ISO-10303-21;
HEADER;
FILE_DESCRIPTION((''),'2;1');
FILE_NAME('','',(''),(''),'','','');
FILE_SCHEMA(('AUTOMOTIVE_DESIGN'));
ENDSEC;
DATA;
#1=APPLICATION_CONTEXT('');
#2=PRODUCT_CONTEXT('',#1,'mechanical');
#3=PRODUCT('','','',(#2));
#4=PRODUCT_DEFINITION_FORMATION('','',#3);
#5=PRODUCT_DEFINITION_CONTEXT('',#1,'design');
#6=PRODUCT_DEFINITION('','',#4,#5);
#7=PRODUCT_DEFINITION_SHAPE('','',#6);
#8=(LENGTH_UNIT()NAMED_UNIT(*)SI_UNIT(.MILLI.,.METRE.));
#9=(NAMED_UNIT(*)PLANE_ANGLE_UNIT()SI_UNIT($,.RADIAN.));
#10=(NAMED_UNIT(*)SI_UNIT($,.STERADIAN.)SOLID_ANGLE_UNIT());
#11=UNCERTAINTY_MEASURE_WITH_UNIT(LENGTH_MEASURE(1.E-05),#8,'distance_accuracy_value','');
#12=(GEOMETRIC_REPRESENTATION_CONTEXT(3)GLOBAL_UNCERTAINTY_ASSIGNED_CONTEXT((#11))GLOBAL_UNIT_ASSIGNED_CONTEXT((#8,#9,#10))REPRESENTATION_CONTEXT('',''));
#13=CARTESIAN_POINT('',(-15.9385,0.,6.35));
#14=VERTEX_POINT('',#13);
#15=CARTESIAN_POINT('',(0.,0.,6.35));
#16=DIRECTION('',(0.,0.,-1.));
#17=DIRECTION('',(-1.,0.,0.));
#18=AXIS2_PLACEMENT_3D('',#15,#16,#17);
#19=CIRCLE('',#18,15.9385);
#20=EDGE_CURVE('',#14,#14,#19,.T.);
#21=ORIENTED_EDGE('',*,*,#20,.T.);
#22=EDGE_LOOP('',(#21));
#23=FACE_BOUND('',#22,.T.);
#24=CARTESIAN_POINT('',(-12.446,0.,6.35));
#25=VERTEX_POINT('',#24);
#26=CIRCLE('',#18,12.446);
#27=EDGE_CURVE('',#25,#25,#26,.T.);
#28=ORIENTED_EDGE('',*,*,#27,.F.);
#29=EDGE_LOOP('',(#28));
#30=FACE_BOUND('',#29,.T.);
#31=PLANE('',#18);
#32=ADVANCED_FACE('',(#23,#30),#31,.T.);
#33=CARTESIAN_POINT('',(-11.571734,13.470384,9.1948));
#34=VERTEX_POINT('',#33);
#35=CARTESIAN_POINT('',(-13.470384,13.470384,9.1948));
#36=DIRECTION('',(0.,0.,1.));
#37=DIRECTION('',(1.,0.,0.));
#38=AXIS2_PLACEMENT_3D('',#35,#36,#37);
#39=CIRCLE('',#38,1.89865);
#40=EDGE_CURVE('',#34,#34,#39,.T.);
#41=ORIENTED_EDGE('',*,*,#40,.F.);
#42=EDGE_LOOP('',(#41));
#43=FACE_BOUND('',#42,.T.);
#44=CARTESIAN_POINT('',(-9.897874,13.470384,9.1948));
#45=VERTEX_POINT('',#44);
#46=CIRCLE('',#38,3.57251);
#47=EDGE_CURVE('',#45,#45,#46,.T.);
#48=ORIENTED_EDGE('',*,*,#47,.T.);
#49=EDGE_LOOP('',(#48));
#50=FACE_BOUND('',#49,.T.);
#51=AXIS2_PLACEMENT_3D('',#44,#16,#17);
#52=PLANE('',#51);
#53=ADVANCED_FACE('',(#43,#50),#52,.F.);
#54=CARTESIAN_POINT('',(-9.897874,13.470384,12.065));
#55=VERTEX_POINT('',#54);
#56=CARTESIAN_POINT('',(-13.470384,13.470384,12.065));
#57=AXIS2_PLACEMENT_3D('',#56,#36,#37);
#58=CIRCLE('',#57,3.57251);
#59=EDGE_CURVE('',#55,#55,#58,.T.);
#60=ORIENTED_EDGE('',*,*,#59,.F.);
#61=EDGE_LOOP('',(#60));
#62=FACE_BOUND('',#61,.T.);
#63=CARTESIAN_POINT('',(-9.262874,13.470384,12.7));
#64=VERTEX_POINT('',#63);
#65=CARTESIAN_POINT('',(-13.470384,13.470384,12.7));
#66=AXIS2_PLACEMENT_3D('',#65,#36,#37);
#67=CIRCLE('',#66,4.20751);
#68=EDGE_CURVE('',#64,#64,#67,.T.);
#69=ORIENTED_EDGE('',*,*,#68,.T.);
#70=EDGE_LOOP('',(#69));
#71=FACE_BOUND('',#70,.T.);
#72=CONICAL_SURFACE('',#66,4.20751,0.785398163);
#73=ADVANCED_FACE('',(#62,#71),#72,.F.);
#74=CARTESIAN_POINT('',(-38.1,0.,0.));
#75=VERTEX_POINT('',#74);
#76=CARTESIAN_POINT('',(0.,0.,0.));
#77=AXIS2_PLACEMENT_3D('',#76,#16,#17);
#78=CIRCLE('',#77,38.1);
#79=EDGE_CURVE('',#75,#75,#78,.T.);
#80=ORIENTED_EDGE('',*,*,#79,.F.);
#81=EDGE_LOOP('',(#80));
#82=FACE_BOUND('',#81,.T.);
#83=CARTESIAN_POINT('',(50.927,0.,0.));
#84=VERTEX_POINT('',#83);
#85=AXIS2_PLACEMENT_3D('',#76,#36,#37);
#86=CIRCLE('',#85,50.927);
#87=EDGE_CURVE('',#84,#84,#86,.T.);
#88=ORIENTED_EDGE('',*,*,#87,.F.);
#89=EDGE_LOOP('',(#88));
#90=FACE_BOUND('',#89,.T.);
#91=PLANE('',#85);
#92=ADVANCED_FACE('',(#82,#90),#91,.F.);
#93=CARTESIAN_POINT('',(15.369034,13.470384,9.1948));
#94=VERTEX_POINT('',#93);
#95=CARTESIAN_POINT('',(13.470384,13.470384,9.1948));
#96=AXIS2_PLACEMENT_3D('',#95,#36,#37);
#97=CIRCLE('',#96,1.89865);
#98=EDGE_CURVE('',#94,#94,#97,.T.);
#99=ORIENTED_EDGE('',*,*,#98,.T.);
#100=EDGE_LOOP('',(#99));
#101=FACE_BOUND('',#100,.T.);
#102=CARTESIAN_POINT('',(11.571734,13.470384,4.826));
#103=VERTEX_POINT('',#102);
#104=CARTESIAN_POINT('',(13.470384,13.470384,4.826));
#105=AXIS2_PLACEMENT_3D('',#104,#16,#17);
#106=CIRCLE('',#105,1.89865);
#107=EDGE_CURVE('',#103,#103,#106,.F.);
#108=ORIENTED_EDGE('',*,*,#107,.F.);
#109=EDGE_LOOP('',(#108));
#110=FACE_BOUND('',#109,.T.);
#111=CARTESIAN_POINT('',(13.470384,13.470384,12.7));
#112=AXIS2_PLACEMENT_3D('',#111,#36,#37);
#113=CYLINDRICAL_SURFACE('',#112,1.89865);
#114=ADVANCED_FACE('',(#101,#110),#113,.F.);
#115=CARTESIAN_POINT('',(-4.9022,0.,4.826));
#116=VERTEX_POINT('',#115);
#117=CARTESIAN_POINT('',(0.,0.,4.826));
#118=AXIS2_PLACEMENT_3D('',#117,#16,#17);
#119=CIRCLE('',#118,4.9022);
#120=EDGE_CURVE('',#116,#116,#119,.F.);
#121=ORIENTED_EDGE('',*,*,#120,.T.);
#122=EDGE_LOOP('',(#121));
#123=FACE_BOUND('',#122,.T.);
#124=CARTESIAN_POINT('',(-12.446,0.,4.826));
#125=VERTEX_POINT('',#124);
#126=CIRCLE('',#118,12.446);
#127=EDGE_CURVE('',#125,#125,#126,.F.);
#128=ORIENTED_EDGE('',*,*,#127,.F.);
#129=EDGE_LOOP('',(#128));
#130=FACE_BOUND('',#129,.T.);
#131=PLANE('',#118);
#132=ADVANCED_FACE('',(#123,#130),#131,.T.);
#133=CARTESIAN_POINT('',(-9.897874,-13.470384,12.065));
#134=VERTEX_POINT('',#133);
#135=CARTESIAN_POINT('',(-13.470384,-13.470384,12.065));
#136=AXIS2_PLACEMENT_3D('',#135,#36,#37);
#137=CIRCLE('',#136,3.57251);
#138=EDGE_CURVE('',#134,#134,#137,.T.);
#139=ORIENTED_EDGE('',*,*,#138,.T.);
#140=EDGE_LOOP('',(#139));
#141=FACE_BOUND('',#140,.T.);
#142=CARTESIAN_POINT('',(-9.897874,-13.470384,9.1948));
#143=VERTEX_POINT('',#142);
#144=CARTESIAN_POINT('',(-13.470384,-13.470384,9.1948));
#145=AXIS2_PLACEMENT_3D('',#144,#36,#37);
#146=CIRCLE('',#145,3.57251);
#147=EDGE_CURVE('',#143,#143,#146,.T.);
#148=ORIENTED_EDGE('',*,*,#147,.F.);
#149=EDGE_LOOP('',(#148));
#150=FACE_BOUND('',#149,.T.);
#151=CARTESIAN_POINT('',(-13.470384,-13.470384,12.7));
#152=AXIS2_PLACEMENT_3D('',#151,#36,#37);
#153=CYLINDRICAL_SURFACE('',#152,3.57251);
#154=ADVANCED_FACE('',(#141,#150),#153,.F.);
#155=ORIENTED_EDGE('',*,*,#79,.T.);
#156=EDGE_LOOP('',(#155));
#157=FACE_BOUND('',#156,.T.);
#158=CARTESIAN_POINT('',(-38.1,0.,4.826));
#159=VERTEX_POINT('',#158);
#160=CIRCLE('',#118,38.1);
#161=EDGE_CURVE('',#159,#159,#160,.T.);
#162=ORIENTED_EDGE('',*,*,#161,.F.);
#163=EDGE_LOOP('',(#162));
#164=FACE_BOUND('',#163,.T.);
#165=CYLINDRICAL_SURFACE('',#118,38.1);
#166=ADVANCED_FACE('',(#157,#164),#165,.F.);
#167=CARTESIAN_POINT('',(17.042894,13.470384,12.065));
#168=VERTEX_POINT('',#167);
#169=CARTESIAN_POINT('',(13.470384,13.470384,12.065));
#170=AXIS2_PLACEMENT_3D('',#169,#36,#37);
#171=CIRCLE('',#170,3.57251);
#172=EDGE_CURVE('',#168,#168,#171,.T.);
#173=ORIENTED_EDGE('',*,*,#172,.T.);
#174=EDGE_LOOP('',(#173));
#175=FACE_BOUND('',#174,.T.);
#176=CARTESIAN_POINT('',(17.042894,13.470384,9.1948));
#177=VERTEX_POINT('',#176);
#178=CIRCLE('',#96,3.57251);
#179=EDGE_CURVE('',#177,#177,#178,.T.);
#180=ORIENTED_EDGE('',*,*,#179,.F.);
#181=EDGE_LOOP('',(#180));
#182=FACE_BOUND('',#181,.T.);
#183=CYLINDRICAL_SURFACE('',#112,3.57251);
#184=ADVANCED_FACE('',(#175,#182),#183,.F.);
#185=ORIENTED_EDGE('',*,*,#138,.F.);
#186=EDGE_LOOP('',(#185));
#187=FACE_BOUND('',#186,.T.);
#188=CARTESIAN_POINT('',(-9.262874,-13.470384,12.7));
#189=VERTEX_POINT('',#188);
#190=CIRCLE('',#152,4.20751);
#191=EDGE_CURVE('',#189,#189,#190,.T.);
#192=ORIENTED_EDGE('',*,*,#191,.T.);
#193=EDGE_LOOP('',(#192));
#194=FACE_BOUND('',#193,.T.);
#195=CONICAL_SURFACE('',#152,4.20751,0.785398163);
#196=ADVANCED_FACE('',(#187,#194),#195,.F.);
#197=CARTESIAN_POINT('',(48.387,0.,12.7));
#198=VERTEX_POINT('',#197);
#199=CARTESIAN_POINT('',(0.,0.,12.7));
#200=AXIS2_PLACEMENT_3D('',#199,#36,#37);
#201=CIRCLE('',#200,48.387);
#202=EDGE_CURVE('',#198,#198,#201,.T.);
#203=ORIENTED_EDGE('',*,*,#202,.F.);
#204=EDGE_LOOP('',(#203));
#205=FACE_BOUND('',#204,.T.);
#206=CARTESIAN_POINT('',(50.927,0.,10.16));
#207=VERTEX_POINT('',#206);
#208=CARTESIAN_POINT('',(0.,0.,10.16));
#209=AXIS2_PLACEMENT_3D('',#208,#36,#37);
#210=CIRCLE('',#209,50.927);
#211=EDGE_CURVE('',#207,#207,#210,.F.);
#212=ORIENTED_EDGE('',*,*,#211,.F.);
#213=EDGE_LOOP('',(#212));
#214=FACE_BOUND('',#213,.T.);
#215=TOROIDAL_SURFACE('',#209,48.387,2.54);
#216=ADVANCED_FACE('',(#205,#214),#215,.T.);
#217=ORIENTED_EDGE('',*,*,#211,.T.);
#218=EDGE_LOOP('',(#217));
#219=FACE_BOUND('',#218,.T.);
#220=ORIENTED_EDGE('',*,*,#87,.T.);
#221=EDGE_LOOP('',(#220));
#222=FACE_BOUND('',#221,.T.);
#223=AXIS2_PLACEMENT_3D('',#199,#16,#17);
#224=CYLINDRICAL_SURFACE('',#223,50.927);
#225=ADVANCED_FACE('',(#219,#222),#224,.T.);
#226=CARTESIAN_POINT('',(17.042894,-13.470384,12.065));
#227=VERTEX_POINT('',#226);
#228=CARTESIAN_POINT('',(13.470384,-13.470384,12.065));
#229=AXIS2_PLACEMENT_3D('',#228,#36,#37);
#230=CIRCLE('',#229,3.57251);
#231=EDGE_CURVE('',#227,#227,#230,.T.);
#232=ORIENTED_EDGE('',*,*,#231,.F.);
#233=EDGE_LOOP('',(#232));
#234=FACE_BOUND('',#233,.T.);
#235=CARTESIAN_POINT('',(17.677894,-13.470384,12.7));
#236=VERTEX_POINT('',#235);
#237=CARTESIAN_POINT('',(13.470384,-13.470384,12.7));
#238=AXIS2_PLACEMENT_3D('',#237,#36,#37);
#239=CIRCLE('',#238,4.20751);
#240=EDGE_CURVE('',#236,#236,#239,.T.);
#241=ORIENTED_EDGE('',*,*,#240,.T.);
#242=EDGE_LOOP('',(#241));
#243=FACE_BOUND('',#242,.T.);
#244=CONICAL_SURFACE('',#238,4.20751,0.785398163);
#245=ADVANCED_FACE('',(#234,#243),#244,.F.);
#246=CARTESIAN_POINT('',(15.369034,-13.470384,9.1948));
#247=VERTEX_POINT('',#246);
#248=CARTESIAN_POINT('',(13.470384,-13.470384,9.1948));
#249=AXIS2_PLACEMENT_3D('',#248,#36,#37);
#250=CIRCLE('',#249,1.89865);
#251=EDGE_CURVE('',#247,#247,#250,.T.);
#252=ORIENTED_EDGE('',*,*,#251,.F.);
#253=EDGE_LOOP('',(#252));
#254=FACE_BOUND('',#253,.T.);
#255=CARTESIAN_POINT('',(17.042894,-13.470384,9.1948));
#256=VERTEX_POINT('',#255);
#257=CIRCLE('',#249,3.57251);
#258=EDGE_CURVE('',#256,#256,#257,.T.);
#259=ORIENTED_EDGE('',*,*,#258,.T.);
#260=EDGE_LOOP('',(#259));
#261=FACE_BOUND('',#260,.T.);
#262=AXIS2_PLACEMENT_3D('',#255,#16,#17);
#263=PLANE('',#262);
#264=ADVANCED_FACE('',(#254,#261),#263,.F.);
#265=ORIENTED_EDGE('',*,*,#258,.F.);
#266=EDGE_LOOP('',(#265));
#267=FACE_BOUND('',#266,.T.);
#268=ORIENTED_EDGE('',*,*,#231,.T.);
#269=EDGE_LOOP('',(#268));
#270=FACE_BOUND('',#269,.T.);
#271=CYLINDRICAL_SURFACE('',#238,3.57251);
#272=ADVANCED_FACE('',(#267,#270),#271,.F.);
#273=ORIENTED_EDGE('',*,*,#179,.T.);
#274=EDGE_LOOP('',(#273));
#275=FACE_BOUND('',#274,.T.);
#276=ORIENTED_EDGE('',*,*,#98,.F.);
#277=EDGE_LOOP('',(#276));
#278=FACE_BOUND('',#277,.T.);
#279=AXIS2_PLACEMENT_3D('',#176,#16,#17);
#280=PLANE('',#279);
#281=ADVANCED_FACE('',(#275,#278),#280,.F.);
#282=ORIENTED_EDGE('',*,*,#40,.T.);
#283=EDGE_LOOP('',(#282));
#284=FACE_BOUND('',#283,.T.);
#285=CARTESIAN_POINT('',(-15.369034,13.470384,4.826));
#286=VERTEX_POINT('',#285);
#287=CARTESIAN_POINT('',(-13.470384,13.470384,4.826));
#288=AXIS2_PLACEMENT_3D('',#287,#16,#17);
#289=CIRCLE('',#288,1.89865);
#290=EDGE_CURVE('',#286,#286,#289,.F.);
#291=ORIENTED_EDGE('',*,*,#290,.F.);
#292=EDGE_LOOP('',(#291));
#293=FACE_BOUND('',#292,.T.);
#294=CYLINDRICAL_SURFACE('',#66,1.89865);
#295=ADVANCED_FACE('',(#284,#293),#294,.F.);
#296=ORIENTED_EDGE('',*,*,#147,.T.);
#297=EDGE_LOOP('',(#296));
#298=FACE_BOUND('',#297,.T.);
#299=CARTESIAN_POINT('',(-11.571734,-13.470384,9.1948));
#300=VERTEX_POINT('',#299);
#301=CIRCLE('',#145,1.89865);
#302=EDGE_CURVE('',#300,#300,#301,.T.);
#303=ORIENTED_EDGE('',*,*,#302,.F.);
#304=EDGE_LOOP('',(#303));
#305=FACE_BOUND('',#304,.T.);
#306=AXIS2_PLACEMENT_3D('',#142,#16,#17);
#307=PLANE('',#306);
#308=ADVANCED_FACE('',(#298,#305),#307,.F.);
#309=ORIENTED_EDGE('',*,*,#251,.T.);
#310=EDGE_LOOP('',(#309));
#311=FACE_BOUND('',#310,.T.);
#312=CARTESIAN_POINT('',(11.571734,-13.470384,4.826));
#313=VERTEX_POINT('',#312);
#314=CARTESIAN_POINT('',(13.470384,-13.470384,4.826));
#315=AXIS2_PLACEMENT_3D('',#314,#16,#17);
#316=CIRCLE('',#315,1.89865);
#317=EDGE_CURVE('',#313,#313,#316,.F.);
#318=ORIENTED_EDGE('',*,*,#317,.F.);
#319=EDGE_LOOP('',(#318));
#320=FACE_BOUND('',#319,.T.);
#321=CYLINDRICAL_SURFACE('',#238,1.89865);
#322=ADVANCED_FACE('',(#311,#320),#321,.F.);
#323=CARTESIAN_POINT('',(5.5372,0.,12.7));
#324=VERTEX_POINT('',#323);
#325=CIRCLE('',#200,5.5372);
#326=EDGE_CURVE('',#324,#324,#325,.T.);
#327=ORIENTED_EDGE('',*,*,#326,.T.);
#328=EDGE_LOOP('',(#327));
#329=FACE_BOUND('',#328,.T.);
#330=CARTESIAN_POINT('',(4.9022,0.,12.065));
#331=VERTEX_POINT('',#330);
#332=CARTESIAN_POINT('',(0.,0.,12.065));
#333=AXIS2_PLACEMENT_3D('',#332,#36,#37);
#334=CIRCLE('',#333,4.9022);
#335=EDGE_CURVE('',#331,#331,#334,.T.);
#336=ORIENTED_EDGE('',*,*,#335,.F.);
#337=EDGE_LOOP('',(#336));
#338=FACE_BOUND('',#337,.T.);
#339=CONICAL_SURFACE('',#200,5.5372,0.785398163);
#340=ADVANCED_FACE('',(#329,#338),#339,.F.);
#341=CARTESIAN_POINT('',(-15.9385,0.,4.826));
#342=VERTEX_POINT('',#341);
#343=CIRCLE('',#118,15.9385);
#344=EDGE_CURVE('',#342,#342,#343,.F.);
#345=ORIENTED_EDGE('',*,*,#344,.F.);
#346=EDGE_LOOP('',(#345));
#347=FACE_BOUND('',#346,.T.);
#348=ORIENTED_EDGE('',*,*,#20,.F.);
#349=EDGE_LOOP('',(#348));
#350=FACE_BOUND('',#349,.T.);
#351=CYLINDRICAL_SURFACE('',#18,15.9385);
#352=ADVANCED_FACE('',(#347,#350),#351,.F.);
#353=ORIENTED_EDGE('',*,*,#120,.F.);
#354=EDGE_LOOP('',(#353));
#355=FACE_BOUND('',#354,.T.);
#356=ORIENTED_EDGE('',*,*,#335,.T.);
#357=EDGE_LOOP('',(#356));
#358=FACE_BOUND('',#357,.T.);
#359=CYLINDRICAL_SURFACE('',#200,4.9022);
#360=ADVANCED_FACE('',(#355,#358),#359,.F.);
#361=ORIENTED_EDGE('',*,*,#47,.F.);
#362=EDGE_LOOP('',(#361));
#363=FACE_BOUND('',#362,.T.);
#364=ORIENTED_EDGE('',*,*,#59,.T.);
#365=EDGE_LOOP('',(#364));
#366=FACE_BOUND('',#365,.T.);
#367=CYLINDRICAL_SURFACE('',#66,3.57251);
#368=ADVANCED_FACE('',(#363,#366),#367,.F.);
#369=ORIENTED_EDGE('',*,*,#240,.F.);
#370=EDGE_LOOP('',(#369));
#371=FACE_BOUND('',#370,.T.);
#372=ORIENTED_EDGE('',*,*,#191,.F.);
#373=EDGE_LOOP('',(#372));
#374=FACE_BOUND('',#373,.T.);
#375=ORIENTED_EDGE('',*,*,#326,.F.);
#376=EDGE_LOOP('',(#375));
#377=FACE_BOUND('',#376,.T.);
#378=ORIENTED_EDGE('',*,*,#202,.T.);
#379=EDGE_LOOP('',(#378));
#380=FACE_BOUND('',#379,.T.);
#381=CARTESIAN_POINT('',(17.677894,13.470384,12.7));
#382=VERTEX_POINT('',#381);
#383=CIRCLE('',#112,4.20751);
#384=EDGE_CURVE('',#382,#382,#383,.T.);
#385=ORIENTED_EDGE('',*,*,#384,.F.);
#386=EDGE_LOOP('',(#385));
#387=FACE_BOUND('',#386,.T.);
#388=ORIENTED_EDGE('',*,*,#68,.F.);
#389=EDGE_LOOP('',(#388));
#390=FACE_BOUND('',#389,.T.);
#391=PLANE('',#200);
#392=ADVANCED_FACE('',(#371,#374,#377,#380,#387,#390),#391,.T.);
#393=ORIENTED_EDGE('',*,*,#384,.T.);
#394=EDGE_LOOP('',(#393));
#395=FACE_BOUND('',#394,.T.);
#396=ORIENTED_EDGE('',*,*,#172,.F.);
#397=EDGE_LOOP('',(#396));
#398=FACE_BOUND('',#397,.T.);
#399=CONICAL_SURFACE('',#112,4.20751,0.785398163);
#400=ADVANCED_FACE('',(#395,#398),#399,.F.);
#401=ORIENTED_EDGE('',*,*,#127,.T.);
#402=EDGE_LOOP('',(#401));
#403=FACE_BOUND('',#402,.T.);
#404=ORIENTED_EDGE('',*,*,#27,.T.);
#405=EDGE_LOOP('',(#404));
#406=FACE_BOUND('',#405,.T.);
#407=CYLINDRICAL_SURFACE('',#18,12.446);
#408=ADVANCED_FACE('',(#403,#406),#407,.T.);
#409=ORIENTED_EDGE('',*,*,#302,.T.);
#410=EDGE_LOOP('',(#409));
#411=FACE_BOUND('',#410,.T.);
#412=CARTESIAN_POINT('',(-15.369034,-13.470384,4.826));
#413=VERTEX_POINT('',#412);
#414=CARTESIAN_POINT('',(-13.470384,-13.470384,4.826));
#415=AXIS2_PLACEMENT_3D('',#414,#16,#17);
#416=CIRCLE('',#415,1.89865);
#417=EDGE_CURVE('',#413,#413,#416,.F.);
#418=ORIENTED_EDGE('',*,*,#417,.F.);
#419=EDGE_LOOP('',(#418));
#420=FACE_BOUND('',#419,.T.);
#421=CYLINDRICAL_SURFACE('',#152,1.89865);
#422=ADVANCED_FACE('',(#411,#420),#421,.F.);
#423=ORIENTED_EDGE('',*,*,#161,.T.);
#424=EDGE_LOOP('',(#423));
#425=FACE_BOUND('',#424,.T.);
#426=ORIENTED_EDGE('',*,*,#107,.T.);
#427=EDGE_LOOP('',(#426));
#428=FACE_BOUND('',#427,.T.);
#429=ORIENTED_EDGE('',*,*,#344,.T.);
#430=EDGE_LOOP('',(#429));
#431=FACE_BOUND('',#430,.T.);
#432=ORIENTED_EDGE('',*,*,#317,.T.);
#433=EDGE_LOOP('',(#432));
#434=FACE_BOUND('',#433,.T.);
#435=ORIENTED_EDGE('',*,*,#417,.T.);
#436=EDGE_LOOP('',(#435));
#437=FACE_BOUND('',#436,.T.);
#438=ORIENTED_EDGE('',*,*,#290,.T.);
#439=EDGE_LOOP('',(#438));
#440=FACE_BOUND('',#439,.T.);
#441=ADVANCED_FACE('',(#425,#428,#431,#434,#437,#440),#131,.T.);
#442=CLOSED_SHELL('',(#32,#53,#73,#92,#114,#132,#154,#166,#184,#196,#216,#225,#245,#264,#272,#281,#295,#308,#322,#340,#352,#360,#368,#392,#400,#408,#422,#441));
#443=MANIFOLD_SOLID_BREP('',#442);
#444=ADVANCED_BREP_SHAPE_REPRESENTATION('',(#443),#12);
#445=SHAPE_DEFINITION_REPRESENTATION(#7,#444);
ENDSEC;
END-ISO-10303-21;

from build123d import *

# Parameters (mm, degrees)
SKETCH1_R                                     = 50.927
BOSS_EXTRUDE1_DEPTH                           = 12.7
W_0_386_DIAMETER_HOLE1_D                      = 9.8044
W_0_386_DIAMETER_HOLE1_CSINK_D                = 11.0744
W_0_386_DIAMETER_HOLE1_CSINK_ANGLE            = 90
CBORE_FOR_6_SOCKET_HEAD_CAP_SCREW1_AT_2_COUNT = 2
CBORE_FOR_6_SOCKET_HEAD_CAP_SCREW1_AT_2_PITCH = 38.1
CBORE_FOR_6_SOCKET_HEAD_CAP_SCREW1_AT_3_COUNT = 2
CBORE_FOR_6_SOCKET_HEAD_CAP_SCREW1_AT_3_PITCH = 26.940768363
CBORE_FOR_6_SOCKET_HEAD_CAP_SCREW1_AT_4_COUNT = 2
CBORE_FOR_6_SOCKET_HEAD_CAP_SCREW1_AT_4_PITCH = 26.940768363
FILLET1_R                                     = 2.54
SKETCH7_R                                     = 15.9385
SKETCH7_R_2                                   = 12.446
CUT_EXTRUDE2_DEPTH                            = 6.35
SKETCH6_R                                     = 38.1
CUT_EXTRUDE1_DEPTH                            = 4.826


with BuildPart() as part:
    # Sketch1 → Boss-Extrude1 (new body)
    with BuildSketch(Plane.XY):
        Circle(SKETCH1_R)
    extrude(amount=BOSS_EXTRUDE1_DEPTH)

    # W (0.386) Diameter Hole1 (through all)
    with Locations(Plane.XY.offset(12.7)):
        with Locations((0, 0)):
            CounterSinkHole(W_0_386_DIAMETER_HOLE1_D / 2, W_0_386_DIAMETER_HOLE1_CSINK_D / 2, counter_sink_angle=W_0_386_DIAMETER_HOLE1_CSINK_ANGLE)

    # Sketch5 → CBORE for #6 Socket Head Cap Screw1 (revolve, cut)
    with BuildSketch(Plane(origin=(13.470384182, 13.470384182, 12.7), x_dir=(0, -1, 0), z_dir=(1, 0, 0))):
        Polygon((0, 0), (0, 12.7), (1.89865, 12.7), (1.89865, 3.5052), (3.57251, 3.5052), (3.57251, 0.635), (4.20751, 0), align=None)
    cbore_for_6_socket_head_cap_screw1 = revolve(axis=Axis((13.470384182, 13.470384182, 19.05), (0, 0, -1)), mode=Mode.SUBTRACT)

    # CBORE for #6 Socket Head Cap Screw1 at 2: CBORE for #6 Socket Head Cap Screw1 ×2
    with Locations(*[Vector(-0.707106781, -0.707106781, 0) * (i * CBORE_FOR_6_SOCKET_HEAD_CAP_SCREW1_AT_2_PITCH) for i in range(1, CBORE_FOR_6_SOCKET_HEAD_CAP_SCREW1_AT_2_COUNT)]):
        add(cbore_for_6_socket_head_cap_screw1, mode=Mode.SUBTRACT)

    # CBORE for #6 Socket Head Cap Screw1 at 3: CBORE for #6 Socket Head Cap Screw1 ×2
    with Locations(*[(-i * CBORE_FOR_6_SOCKET_HEAD_CAP_SCREW1_AT_3_PITCH, 0, 0) for i in range(1, CBORE_FOR_6_SOCKET_HEAD_CAP_SCREW1_AT_3_COUNT)]):
        add(cbore_for_6_socket_head_cap_screw1, mode=Mode.SUBTRACT)

    # CBORE for #6 Socket Head Cap Screw1 at 4: CBORE for #6 Socket Head Cap Screw1 ×2
    with Locations(*[(0, -i * CBORE_FOR_6_SOCKET_HEAD_CAP_SCREW1_AT_4_PITCH, 0) for i in range(1, CBORE_FOR_6_SOCKET_HEAD_CAP_SCREW1_AT_4_COUNT)]):
        add(cbore_for_6_socket_head_cap_screw1, mode=Mode.SUBTRACT)

    # Fillet1
    fillet1_edges = [part.edges().sort_by_distance(p)[0] for p in [
        (-50.927, 0, 12.7),
    ]]
    fillet(fillet1_edges, radius=FILLET1_R)

    # Sketch7 → Cut-Extrude2 (cut)
    with BuildSketch(Plane(origin=(0, 0, 0), x_dir=(-1, 0, 0), z_dir=(0, 0, -1))):
        Circle(SKETCH7_R)
        Circle(SKETCH7_R_2, mode=Mode.SUBTRACT)
    extrude(amount=-CUT_EXTRUDE2_DEPTH, mode=Mode.SUBTRACT)

    # Sketch6 → Cut-Extrude1 (cut)
    with BuildSketch(Plane(origin=(0, 0, 0), x_dir=(-1, 0, 0), z_dir=(0, 0, -1))):
        Circle(SKETCH6_R)
    extrude(amount=-CUT_EXTRUDE1_DEPTH, mode=Mode.SUBTRACT)


solid = part.part
